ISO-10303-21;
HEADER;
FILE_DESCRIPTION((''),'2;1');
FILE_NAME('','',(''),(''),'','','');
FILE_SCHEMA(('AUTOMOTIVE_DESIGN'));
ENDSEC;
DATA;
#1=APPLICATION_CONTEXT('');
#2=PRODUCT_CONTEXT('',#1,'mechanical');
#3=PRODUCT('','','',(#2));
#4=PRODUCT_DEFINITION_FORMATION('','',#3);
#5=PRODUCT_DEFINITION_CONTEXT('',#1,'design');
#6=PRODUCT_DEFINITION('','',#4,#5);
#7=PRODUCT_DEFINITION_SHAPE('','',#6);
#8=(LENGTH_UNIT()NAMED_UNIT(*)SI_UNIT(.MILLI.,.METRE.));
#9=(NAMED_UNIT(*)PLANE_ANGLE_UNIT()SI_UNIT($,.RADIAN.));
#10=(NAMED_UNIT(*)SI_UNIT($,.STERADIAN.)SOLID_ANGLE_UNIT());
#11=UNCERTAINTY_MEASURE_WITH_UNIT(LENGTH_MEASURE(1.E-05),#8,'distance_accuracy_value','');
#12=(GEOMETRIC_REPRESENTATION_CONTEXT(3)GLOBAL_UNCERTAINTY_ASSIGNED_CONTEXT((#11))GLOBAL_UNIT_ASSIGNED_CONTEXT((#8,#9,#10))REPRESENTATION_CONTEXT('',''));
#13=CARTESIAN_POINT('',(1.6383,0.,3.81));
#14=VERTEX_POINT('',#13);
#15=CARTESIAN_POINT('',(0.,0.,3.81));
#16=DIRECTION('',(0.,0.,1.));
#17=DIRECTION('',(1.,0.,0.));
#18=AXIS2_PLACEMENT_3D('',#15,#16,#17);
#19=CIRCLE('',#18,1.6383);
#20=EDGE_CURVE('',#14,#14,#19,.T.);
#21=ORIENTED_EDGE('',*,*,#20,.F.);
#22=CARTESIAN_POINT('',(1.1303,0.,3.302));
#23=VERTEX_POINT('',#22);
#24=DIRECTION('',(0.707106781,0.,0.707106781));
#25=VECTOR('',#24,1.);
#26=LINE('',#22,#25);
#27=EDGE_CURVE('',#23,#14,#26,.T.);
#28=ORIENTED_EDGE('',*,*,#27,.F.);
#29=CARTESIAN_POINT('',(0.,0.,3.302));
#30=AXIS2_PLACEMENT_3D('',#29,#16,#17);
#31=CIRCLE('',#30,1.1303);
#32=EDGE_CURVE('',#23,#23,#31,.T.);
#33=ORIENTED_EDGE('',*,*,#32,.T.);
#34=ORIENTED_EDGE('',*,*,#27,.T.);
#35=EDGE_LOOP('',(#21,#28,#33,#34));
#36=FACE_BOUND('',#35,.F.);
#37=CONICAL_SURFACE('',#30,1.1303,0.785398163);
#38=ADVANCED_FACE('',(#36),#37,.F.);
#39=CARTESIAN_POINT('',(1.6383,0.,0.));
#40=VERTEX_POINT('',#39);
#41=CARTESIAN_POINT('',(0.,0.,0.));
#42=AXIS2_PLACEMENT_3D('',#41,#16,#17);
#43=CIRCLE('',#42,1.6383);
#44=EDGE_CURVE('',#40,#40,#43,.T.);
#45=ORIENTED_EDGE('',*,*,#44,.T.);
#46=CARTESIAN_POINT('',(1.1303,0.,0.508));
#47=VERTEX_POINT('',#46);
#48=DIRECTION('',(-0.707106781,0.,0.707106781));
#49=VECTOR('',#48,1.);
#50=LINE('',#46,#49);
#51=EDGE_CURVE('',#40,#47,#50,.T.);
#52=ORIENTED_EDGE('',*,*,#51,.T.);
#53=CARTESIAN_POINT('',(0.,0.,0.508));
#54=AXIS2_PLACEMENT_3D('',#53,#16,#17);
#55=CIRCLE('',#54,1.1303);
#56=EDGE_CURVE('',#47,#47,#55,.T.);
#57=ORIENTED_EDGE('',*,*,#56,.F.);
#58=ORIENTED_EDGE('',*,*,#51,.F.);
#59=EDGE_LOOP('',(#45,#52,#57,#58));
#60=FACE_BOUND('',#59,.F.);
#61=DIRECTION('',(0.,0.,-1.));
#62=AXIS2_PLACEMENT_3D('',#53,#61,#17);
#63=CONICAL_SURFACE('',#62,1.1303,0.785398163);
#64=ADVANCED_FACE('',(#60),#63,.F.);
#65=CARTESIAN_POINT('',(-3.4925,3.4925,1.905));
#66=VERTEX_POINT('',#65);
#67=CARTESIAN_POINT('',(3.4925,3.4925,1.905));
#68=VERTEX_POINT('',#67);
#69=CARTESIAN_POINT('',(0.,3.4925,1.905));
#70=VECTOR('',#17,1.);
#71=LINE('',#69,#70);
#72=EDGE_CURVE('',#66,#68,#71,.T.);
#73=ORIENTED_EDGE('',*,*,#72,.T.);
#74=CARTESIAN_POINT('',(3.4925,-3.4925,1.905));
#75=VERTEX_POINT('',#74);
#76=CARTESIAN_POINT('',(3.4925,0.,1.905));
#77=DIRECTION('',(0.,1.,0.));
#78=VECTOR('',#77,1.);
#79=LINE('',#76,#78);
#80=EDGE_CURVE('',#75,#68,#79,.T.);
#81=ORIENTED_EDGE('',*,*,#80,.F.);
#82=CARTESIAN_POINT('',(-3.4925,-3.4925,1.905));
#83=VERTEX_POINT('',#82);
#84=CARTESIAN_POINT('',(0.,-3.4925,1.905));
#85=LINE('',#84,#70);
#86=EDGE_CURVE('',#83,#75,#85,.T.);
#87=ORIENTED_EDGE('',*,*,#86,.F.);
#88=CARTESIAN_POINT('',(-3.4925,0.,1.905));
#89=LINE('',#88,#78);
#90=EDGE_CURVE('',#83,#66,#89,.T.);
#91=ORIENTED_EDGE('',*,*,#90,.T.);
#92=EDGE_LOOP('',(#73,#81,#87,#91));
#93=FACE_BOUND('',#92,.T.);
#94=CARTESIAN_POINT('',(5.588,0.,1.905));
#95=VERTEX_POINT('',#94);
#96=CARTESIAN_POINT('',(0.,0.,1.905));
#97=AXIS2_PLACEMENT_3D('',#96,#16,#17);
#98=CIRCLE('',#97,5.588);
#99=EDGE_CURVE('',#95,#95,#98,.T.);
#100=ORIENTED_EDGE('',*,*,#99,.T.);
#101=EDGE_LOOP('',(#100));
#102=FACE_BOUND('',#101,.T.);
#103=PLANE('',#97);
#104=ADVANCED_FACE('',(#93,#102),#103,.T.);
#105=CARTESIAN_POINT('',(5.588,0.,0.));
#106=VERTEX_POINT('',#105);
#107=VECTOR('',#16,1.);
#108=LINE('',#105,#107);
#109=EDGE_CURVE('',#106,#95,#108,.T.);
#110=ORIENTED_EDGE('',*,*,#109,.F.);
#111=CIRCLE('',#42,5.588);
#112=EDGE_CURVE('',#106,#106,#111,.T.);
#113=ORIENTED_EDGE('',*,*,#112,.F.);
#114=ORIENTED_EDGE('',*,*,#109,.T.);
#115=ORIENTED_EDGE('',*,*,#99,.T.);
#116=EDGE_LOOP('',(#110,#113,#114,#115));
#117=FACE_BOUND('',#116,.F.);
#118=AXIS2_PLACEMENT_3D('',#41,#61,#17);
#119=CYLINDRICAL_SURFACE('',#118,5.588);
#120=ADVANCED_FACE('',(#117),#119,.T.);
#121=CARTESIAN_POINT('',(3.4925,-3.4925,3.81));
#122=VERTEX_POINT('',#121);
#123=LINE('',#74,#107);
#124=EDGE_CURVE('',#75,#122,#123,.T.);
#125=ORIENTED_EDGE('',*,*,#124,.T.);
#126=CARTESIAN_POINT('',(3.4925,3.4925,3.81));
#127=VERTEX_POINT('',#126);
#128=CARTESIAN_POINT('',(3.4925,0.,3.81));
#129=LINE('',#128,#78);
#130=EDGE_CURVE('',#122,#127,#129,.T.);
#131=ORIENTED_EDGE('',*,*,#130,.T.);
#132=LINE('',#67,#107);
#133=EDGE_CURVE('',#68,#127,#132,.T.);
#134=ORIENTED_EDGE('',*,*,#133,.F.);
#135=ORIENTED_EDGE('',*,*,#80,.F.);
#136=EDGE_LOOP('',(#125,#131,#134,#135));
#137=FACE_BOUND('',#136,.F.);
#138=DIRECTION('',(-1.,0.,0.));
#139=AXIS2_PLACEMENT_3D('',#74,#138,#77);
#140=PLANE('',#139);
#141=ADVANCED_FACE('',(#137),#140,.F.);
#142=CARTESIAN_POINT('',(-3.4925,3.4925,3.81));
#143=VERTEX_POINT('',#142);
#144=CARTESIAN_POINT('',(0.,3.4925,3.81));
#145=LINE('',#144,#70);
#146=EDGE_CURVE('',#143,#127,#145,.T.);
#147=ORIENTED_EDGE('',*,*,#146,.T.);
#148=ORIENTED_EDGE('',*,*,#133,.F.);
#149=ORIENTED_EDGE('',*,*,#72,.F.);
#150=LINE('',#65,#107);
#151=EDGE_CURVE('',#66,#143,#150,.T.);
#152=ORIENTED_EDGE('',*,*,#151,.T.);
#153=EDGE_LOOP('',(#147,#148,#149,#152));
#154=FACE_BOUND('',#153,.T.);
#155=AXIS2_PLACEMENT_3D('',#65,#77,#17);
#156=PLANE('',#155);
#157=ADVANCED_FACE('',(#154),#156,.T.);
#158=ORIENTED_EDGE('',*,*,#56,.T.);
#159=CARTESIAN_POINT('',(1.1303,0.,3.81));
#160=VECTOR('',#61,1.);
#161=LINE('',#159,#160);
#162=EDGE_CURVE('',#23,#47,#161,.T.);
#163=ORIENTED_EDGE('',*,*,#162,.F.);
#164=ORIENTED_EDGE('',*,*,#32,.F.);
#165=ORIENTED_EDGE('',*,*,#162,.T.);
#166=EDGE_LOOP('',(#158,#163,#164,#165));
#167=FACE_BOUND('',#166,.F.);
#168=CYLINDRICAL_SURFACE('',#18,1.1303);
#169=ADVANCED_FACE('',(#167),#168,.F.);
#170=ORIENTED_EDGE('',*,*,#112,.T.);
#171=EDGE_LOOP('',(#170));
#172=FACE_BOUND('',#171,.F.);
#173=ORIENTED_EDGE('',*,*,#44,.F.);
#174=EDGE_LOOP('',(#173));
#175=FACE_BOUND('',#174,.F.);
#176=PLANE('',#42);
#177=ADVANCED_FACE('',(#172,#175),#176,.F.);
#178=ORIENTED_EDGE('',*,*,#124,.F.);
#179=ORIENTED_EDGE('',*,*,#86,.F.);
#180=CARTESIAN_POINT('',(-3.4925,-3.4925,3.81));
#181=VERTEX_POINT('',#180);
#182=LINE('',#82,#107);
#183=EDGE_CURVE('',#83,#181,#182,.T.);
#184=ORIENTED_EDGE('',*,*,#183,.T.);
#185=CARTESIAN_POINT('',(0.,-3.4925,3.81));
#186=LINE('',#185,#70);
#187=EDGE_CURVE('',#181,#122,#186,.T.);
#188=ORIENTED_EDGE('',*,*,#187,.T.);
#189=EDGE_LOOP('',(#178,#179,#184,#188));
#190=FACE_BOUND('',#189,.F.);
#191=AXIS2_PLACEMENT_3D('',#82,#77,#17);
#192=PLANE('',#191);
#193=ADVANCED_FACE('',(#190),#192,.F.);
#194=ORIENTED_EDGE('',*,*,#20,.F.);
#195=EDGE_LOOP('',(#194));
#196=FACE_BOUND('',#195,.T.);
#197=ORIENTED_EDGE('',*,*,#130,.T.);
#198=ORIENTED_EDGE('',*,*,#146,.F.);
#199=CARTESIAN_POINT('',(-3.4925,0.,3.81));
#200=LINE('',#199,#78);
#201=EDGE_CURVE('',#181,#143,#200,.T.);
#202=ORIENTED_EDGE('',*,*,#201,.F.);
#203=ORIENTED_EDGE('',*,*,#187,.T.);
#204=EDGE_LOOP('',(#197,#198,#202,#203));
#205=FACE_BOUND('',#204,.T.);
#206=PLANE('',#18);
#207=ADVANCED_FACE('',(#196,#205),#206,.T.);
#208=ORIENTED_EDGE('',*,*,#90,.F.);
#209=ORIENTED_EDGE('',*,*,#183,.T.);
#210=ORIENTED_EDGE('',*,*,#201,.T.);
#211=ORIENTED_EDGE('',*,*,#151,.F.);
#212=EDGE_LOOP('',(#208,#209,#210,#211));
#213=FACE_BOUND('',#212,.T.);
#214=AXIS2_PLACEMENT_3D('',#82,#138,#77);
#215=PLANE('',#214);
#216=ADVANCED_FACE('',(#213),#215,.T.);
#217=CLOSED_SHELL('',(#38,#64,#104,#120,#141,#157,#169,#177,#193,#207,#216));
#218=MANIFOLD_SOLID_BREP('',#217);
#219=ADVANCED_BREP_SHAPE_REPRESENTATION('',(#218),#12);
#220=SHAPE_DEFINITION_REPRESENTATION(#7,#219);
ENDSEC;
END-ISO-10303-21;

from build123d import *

# Parameters (mm, degrees)
F0_R     = 5.588
F1_DEPTH = 1.905
F2_W     = 6.985
F2_H     = 6.985
F3_DEPTH = 1.905
F4_R     = 1.1303
F5_DEPTH = 3.81
F6_SIZE  = 0.508


with BuildPart() as f1:
    # F0 (on Top) → F1 (new body)
    with BuildSketch(Plane.XY):
        Circle(F0_R)
    extrude(amount=F1_DEPTH)

    # F2 (on face) → F3 (join)
    with BuildSketch(Plane.XY.offset(1.905)):
        Rectangle(F2_W, F2_H)
    extrude(amount=F3_DEPTH)

    # F4 (on face) → F5 (cut, through all)
    with BuildSketch(Plane.XY.offset(3.81)):
        Circle(F4_R)
    extrude(amount=-F5_DEPTH, mode=Mode.SUBTRACT)

    # F6
    f6_edges = [f1.edges().sort_by_distance(p)[0] for p in [
        (1.1303, 0, 1.905),
        (-1.1303, 0, 3.81),
        (-1.1303, 0, 0),
    ]]
    chamfer(f6_edges, length=F6_SIZE)


solid = f1.part
